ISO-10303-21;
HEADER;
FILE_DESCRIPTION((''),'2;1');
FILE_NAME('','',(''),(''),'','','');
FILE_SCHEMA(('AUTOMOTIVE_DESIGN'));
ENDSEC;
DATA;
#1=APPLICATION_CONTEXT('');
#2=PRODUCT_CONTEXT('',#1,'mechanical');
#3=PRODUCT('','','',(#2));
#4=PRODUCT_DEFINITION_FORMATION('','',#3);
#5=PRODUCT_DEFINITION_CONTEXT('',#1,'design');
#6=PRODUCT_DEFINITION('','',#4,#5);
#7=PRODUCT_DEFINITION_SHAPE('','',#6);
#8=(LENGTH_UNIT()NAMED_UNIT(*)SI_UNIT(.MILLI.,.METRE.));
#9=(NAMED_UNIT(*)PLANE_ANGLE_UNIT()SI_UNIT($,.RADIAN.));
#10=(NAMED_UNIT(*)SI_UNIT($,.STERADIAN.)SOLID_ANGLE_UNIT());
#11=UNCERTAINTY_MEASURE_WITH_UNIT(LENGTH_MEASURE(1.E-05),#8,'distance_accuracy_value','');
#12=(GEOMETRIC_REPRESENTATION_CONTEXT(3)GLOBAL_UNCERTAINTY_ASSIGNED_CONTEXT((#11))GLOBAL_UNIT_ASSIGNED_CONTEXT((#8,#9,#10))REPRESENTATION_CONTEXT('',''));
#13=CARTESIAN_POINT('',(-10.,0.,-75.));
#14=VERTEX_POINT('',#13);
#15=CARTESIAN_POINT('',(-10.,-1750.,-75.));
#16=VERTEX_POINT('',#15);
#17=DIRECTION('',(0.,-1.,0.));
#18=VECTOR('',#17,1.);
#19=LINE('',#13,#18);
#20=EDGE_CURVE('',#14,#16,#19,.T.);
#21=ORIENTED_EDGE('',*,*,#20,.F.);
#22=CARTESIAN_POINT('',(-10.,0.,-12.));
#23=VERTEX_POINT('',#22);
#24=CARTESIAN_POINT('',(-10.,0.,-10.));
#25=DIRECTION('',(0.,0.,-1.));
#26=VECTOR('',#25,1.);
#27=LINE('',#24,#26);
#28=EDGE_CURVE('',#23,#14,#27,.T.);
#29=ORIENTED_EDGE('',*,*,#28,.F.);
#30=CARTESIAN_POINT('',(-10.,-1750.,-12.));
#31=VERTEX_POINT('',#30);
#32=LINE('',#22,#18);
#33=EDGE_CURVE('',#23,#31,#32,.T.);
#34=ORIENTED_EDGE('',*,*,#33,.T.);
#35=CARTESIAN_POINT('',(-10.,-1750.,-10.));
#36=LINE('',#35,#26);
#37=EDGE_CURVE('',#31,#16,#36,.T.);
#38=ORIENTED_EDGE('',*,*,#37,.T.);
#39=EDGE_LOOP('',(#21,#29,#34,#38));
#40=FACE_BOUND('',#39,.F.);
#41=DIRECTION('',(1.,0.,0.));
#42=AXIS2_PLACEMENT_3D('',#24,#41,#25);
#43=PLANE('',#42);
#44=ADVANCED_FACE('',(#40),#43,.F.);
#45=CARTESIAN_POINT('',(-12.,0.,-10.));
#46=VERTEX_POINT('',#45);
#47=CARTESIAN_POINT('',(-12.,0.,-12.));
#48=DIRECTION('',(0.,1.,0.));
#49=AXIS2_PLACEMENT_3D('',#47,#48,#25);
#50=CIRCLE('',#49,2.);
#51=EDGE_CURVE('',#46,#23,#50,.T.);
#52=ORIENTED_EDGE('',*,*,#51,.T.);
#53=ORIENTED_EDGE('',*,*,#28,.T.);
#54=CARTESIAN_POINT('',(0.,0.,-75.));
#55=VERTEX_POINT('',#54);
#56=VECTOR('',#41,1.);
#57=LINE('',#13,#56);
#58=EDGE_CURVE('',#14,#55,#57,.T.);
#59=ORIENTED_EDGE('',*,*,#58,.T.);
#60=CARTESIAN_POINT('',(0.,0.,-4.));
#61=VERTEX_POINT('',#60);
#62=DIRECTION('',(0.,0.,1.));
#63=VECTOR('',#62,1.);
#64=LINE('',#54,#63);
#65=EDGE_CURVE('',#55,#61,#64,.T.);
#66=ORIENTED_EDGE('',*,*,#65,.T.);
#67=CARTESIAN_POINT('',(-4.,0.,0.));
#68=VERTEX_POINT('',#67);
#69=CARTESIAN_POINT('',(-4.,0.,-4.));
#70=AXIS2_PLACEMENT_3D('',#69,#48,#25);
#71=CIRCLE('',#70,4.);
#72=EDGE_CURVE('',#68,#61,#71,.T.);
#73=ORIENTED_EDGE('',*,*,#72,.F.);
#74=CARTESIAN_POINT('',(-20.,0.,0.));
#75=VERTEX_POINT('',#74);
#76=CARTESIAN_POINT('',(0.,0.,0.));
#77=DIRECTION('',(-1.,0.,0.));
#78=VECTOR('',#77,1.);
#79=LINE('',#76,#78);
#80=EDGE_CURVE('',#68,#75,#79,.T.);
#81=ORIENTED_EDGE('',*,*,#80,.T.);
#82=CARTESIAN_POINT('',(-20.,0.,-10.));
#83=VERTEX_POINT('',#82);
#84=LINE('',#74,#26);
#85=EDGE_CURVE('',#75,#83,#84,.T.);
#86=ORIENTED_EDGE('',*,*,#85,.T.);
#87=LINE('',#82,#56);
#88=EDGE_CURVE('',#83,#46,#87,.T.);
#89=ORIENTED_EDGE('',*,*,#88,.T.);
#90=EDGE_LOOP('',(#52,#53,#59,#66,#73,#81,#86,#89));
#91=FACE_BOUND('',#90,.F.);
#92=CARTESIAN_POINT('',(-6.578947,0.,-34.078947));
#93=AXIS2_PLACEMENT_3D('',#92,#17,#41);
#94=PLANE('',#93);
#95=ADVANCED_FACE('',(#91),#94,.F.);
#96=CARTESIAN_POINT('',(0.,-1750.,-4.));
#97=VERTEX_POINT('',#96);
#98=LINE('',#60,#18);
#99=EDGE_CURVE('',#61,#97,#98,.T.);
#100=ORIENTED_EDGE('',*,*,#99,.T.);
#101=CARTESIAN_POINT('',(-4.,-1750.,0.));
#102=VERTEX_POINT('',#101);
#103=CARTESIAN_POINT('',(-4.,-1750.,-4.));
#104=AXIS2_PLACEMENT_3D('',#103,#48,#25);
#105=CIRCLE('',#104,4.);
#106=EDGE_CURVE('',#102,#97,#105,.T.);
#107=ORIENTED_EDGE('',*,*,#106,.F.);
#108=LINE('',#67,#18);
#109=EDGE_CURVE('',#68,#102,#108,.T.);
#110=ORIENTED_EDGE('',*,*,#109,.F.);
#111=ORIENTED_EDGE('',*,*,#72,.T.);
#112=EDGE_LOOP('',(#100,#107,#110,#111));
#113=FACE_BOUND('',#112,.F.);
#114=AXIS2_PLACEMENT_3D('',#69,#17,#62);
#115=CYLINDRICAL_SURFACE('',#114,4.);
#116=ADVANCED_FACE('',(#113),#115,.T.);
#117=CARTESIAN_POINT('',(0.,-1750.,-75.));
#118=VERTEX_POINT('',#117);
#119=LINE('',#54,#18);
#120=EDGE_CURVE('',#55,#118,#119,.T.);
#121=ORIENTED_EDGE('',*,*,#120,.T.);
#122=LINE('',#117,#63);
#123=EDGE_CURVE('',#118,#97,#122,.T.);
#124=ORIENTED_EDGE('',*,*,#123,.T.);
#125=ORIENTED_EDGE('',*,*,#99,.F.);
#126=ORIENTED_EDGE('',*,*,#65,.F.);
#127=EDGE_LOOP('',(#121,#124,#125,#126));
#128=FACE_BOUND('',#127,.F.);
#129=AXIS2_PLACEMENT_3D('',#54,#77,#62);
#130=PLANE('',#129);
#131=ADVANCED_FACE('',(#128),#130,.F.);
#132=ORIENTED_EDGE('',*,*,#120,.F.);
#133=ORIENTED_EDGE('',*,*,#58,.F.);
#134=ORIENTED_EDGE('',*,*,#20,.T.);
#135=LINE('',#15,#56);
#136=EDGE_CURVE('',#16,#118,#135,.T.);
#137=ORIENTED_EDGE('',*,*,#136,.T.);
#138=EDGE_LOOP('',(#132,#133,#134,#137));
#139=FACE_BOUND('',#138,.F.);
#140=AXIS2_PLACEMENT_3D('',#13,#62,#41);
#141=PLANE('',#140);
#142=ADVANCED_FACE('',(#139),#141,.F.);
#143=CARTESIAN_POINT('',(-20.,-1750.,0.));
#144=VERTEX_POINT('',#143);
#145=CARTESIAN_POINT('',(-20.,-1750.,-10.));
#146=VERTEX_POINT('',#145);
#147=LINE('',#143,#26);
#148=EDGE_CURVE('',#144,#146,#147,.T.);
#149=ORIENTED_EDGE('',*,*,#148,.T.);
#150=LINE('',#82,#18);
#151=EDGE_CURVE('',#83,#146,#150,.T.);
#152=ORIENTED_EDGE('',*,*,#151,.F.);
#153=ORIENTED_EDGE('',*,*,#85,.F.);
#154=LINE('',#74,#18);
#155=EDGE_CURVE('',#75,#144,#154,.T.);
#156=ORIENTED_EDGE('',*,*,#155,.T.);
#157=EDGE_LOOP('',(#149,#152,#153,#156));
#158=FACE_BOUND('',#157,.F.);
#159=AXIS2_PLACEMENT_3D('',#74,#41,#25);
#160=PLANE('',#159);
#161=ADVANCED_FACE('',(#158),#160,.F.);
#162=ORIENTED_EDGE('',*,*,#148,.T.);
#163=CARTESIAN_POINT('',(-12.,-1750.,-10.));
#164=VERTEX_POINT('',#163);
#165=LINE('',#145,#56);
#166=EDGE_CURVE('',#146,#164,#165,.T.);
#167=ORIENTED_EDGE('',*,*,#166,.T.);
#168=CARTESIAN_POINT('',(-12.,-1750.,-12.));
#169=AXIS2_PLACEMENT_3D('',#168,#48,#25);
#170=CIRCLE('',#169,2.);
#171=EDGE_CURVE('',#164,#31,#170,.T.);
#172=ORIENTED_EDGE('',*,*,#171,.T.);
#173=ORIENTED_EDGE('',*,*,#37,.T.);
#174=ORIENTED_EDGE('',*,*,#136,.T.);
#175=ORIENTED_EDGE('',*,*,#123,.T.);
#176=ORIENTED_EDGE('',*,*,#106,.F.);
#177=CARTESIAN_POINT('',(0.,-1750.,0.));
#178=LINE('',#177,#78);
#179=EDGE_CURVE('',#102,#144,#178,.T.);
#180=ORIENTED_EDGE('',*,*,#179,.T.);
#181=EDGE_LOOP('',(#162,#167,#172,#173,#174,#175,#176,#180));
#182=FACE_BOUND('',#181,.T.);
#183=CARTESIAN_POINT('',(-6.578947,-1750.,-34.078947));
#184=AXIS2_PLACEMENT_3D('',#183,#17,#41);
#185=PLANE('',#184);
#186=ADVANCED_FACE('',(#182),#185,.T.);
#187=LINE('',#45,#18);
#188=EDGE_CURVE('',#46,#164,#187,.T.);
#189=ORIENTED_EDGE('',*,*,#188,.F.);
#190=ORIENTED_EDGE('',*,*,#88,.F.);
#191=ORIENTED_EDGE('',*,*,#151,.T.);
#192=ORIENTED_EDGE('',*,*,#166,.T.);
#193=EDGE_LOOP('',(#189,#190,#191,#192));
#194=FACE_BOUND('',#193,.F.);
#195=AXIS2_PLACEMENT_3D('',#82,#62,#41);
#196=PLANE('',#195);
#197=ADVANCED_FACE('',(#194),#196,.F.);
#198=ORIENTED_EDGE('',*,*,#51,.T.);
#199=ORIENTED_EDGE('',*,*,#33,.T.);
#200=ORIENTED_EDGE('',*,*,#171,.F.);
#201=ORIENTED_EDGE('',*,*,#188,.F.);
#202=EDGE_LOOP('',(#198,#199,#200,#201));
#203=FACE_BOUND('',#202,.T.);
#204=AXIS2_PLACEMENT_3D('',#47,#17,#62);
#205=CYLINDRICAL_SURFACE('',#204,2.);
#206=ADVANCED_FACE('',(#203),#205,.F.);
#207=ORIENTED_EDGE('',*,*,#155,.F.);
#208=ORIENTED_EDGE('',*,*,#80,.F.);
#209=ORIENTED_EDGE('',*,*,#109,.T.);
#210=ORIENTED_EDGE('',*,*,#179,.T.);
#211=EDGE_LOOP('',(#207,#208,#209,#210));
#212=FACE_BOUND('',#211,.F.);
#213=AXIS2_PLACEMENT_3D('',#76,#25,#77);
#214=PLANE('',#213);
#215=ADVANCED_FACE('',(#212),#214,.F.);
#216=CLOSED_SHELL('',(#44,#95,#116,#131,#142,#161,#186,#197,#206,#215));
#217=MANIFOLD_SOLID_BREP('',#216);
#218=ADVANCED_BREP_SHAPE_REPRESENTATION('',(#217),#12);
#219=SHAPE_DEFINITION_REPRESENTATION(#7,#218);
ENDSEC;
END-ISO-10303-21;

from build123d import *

# Parameters (mm, degrees)
F1_DEPTH = 1750
F2_R     = 4
F3_R     = 2


with BuildPart() as f1:
    # F0 (on Front) → F1 (new body)
    with BuildSketch(Plane.XZ):
        Polygon((0, 0), (-20, 0), (-20, -10), (-10, -10), (-10, -75), (0, -75), align=None)
    extrude(amount=F1_DEPTH)

    # F2
    f2_edges = [f1.edges().sort_by_distance(p)[0] for p in [
        (0, -875, 0),
    ]]
    fillet(f2_edges, radius=F2_R)

    # F3
    f3_edges = [f1.edges().sort_by_distance(p)[0] for p in [
        (-10, -875, -10),
    ]]
    fillet(f3_edges, radius=F3_R)


solid = f1.part
